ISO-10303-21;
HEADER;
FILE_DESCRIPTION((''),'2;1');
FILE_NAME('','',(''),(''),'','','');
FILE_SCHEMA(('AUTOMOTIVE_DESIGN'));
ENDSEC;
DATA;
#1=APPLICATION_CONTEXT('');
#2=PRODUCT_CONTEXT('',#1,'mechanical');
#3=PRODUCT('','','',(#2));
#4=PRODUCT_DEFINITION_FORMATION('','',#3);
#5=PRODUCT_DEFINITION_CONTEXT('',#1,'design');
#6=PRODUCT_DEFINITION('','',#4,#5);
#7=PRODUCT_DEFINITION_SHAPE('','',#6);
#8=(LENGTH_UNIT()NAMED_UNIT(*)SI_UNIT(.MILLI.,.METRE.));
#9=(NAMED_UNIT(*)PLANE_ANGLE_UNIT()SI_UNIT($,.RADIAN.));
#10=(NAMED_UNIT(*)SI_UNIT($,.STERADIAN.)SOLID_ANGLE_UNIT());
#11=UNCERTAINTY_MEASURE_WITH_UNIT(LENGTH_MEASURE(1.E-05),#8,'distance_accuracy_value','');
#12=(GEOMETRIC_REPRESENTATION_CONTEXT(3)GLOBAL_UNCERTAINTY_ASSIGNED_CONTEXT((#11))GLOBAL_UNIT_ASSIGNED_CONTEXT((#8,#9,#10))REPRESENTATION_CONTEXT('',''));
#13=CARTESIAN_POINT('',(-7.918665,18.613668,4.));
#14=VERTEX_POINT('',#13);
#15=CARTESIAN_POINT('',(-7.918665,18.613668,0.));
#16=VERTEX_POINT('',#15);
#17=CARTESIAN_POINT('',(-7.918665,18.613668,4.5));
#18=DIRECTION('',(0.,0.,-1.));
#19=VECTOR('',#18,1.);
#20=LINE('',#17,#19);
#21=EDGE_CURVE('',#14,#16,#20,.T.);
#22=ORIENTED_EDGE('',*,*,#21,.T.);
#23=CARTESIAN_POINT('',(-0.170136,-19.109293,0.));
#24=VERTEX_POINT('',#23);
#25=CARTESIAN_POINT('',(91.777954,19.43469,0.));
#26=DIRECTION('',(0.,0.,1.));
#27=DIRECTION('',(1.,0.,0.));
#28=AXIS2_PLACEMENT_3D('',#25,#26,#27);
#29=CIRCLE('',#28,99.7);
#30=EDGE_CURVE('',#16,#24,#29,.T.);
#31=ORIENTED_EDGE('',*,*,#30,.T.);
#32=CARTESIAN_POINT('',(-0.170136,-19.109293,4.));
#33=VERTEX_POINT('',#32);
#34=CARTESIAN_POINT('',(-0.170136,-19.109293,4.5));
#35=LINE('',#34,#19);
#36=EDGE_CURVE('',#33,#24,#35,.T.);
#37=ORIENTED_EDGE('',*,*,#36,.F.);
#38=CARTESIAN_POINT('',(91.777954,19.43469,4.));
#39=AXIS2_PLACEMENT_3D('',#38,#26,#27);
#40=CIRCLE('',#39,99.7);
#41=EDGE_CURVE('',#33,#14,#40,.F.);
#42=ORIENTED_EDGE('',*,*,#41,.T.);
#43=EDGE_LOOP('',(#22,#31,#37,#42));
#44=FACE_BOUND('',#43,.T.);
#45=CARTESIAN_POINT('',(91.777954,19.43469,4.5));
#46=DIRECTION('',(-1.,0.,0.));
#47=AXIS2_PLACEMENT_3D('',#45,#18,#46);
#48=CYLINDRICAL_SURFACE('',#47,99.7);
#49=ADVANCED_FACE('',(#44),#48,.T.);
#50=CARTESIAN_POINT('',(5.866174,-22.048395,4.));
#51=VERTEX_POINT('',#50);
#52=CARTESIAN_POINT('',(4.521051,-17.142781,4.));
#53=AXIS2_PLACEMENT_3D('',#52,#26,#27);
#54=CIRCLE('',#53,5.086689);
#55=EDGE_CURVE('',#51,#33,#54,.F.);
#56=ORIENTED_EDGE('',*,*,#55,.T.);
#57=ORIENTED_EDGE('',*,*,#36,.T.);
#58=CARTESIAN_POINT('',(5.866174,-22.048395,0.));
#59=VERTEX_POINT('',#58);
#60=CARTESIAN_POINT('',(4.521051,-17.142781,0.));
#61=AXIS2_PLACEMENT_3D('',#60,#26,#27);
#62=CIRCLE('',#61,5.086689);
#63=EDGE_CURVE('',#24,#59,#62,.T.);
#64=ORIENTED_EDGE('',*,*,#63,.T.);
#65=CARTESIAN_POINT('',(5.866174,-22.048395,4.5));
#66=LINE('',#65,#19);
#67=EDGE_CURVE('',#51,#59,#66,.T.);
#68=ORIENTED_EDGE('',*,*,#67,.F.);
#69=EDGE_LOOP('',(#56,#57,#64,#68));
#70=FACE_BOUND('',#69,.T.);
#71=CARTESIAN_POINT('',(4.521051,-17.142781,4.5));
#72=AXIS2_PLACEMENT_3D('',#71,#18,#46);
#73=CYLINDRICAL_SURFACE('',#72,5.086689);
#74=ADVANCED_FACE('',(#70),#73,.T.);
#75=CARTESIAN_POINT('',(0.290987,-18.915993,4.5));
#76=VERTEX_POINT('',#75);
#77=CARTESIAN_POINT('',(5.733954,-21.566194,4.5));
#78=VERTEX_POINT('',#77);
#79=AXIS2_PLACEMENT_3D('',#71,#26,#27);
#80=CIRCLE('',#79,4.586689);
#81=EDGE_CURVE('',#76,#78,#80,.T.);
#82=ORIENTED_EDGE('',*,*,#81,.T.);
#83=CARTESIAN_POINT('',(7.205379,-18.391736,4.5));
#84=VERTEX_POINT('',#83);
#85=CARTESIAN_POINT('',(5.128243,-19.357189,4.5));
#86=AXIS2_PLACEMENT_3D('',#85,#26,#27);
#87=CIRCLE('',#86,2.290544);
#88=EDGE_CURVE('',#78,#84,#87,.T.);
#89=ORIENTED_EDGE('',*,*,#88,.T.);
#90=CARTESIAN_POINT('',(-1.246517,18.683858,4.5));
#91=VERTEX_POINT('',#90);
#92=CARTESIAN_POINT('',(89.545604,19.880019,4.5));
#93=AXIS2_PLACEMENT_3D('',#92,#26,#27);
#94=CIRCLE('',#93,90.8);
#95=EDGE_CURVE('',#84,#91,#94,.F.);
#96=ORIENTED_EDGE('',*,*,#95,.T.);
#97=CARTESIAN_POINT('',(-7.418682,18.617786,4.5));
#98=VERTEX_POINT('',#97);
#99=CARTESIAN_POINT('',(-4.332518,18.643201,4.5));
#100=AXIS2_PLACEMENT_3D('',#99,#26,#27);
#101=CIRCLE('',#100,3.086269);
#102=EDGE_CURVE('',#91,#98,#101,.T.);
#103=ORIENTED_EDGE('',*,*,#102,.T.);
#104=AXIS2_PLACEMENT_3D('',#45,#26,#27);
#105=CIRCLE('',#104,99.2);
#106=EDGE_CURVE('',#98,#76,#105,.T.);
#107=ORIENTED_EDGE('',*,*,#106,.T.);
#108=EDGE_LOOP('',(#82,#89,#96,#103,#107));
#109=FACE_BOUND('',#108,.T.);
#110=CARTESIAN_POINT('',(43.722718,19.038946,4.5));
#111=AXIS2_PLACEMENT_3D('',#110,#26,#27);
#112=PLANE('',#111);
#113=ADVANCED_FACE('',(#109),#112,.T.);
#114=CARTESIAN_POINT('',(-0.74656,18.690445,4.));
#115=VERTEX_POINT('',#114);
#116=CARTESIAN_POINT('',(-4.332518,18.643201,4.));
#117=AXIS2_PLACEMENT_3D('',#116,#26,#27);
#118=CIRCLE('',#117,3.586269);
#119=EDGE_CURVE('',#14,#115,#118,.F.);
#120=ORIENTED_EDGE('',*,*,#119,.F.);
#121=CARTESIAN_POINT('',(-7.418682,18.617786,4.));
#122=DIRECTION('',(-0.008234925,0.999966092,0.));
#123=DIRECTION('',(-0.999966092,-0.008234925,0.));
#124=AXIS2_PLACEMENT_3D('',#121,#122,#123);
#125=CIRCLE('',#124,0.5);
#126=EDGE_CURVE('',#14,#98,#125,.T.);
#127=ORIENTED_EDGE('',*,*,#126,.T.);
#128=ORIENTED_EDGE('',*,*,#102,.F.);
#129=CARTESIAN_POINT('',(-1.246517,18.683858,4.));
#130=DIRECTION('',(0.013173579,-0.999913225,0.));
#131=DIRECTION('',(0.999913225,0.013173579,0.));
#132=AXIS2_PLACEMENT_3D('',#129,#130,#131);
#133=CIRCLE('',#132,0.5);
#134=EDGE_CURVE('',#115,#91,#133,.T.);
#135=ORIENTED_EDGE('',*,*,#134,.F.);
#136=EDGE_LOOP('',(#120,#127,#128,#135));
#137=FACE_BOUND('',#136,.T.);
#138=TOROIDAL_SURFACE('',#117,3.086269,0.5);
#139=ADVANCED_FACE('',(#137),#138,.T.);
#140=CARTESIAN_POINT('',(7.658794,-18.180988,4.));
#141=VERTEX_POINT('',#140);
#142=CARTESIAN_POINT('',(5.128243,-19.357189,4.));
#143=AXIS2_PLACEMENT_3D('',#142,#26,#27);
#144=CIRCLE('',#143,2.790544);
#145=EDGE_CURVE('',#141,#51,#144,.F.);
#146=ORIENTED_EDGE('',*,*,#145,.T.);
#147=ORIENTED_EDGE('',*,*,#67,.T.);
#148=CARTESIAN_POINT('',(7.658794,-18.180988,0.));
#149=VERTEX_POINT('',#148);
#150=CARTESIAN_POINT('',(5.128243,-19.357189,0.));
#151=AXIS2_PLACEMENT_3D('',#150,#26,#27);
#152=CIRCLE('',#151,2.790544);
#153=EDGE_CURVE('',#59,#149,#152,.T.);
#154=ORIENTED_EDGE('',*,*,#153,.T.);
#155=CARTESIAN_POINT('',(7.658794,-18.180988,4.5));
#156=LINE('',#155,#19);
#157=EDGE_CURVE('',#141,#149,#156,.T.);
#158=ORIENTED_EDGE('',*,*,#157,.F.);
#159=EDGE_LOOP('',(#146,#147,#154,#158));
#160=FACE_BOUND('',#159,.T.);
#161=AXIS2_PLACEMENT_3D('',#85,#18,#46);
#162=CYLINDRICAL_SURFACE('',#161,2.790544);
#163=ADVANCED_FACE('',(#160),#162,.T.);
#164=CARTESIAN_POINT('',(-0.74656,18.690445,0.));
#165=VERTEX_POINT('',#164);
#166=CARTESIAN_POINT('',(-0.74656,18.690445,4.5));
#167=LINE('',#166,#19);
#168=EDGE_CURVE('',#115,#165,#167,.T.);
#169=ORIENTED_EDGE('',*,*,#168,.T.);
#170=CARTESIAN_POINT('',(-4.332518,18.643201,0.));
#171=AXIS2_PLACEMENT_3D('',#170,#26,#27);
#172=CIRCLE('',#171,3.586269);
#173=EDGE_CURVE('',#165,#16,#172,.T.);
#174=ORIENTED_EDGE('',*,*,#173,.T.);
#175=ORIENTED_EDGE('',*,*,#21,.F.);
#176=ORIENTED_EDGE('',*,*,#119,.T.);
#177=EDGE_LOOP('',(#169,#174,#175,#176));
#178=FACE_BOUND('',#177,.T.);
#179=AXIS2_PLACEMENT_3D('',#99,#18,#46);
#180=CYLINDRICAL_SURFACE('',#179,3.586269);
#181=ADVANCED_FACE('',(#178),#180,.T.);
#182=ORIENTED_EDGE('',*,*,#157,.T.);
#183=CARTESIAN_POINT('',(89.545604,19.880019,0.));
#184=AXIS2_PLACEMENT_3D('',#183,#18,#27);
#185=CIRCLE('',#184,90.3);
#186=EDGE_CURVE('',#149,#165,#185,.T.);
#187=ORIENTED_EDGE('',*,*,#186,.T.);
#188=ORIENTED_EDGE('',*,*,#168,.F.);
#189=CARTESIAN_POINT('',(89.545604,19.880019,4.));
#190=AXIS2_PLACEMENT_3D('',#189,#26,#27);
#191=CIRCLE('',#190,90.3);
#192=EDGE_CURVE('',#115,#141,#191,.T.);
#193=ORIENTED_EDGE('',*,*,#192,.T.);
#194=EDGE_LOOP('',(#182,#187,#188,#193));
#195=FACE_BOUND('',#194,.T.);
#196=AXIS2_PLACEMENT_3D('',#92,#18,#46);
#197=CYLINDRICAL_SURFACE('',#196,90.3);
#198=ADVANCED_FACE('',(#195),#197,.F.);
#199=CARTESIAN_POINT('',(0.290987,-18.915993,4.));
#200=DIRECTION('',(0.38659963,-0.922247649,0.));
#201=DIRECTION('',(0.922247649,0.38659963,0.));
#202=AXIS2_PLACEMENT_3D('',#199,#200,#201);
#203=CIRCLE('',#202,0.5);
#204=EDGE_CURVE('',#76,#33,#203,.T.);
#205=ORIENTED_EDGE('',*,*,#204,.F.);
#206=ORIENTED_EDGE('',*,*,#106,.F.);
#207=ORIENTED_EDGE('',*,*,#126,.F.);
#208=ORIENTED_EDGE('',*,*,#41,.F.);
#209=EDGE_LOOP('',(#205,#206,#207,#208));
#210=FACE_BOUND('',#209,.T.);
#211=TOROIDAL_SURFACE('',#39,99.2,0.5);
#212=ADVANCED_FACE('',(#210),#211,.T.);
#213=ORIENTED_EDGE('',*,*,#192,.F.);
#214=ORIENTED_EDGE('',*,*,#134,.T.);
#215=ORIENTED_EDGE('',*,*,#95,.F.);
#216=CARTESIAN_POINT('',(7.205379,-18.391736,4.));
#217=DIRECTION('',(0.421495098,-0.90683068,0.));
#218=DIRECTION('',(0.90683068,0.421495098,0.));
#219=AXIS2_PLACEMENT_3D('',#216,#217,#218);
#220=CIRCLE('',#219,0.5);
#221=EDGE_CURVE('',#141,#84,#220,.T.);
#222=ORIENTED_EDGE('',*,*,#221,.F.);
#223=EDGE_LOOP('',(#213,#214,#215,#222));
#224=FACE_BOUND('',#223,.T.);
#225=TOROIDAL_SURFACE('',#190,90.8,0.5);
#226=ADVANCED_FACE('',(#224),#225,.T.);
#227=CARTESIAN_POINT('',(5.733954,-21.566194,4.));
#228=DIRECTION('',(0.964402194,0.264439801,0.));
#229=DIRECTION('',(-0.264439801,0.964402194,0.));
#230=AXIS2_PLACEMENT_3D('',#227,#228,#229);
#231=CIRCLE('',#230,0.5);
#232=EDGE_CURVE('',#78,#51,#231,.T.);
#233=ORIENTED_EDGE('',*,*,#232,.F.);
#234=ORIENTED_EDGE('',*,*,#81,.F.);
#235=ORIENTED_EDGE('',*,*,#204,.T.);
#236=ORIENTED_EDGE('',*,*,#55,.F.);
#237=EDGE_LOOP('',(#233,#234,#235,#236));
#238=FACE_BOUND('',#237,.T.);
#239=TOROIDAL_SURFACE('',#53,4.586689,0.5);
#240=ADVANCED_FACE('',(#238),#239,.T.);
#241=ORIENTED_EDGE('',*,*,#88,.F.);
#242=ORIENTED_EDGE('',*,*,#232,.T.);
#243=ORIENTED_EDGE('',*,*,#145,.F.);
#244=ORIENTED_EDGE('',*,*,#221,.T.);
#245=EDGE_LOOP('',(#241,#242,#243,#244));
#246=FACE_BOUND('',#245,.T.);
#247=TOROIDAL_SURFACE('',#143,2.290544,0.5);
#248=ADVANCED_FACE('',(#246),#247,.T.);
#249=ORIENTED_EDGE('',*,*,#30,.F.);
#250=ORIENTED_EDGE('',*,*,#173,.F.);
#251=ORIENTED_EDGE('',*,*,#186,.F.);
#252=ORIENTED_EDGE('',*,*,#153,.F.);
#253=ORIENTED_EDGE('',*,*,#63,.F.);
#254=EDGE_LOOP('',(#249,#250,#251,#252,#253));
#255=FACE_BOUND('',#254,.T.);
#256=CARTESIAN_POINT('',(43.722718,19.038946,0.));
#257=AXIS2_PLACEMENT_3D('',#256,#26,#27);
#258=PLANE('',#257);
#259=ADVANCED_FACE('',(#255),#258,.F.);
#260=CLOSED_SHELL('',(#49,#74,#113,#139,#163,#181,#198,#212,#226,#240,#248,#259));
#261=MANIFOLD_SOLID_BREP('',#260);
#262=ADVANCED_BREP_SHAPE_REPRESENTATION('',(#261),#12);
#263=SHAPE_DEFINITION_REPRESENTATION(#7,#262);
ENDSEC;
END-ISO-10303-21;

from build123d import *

# Parameters (mm, degrees)
EXTRUDE1_DEPTH = 4.5
FILLET1_R      = 0.5


with BuildPart() as part:
    # Sketch1 → Extrude1 (new body)
    with BuildSketch(Plane.XY):
        with BuildLine():
            ThreePointArc((-0.746559936, 18.690444938), (1.504276061, -0.190220828), (7.658793849, -18.180988273))
            ThreePointArc((7.658793849, -18.180988273), (7.66003149, -20.530722722), (5.866174119, -22.048395034))
            ThreePointArc((5.866174119, -22.048395034), (2.294255729, -21.716159254), (-0.170136467, -19.109292801))
            ThreePointArc((-0.170136467, -19.109292801), (-5.883088092, -0.625489951), (-7.918665293, 18.613668282))
            ThreePointArc((-7.918665293, 18.613668282), (-4.370906261, 22.229264553), (-0.746559936, 18.690444938))
        make_face()
    extrude(amount=EXTRUDE1_DEPTH)

    # Fillet1
    fillet1_edges = [part.edges().sort_by_distance(p)[0] for p in [
        (2.294255729, -21.716159254, 4.5),
        (7.66003149, -20.530722722, 4.5),
        (1.504276061, -0.190220828, 4.5),
        (-4.370906261, 22.229264553, 4.5),
        (-5.883088092, -0.625489951, 4.5),
    ]]
    fillet(fillet1_edges, radius=FILLET1_R)


solid = part.part
